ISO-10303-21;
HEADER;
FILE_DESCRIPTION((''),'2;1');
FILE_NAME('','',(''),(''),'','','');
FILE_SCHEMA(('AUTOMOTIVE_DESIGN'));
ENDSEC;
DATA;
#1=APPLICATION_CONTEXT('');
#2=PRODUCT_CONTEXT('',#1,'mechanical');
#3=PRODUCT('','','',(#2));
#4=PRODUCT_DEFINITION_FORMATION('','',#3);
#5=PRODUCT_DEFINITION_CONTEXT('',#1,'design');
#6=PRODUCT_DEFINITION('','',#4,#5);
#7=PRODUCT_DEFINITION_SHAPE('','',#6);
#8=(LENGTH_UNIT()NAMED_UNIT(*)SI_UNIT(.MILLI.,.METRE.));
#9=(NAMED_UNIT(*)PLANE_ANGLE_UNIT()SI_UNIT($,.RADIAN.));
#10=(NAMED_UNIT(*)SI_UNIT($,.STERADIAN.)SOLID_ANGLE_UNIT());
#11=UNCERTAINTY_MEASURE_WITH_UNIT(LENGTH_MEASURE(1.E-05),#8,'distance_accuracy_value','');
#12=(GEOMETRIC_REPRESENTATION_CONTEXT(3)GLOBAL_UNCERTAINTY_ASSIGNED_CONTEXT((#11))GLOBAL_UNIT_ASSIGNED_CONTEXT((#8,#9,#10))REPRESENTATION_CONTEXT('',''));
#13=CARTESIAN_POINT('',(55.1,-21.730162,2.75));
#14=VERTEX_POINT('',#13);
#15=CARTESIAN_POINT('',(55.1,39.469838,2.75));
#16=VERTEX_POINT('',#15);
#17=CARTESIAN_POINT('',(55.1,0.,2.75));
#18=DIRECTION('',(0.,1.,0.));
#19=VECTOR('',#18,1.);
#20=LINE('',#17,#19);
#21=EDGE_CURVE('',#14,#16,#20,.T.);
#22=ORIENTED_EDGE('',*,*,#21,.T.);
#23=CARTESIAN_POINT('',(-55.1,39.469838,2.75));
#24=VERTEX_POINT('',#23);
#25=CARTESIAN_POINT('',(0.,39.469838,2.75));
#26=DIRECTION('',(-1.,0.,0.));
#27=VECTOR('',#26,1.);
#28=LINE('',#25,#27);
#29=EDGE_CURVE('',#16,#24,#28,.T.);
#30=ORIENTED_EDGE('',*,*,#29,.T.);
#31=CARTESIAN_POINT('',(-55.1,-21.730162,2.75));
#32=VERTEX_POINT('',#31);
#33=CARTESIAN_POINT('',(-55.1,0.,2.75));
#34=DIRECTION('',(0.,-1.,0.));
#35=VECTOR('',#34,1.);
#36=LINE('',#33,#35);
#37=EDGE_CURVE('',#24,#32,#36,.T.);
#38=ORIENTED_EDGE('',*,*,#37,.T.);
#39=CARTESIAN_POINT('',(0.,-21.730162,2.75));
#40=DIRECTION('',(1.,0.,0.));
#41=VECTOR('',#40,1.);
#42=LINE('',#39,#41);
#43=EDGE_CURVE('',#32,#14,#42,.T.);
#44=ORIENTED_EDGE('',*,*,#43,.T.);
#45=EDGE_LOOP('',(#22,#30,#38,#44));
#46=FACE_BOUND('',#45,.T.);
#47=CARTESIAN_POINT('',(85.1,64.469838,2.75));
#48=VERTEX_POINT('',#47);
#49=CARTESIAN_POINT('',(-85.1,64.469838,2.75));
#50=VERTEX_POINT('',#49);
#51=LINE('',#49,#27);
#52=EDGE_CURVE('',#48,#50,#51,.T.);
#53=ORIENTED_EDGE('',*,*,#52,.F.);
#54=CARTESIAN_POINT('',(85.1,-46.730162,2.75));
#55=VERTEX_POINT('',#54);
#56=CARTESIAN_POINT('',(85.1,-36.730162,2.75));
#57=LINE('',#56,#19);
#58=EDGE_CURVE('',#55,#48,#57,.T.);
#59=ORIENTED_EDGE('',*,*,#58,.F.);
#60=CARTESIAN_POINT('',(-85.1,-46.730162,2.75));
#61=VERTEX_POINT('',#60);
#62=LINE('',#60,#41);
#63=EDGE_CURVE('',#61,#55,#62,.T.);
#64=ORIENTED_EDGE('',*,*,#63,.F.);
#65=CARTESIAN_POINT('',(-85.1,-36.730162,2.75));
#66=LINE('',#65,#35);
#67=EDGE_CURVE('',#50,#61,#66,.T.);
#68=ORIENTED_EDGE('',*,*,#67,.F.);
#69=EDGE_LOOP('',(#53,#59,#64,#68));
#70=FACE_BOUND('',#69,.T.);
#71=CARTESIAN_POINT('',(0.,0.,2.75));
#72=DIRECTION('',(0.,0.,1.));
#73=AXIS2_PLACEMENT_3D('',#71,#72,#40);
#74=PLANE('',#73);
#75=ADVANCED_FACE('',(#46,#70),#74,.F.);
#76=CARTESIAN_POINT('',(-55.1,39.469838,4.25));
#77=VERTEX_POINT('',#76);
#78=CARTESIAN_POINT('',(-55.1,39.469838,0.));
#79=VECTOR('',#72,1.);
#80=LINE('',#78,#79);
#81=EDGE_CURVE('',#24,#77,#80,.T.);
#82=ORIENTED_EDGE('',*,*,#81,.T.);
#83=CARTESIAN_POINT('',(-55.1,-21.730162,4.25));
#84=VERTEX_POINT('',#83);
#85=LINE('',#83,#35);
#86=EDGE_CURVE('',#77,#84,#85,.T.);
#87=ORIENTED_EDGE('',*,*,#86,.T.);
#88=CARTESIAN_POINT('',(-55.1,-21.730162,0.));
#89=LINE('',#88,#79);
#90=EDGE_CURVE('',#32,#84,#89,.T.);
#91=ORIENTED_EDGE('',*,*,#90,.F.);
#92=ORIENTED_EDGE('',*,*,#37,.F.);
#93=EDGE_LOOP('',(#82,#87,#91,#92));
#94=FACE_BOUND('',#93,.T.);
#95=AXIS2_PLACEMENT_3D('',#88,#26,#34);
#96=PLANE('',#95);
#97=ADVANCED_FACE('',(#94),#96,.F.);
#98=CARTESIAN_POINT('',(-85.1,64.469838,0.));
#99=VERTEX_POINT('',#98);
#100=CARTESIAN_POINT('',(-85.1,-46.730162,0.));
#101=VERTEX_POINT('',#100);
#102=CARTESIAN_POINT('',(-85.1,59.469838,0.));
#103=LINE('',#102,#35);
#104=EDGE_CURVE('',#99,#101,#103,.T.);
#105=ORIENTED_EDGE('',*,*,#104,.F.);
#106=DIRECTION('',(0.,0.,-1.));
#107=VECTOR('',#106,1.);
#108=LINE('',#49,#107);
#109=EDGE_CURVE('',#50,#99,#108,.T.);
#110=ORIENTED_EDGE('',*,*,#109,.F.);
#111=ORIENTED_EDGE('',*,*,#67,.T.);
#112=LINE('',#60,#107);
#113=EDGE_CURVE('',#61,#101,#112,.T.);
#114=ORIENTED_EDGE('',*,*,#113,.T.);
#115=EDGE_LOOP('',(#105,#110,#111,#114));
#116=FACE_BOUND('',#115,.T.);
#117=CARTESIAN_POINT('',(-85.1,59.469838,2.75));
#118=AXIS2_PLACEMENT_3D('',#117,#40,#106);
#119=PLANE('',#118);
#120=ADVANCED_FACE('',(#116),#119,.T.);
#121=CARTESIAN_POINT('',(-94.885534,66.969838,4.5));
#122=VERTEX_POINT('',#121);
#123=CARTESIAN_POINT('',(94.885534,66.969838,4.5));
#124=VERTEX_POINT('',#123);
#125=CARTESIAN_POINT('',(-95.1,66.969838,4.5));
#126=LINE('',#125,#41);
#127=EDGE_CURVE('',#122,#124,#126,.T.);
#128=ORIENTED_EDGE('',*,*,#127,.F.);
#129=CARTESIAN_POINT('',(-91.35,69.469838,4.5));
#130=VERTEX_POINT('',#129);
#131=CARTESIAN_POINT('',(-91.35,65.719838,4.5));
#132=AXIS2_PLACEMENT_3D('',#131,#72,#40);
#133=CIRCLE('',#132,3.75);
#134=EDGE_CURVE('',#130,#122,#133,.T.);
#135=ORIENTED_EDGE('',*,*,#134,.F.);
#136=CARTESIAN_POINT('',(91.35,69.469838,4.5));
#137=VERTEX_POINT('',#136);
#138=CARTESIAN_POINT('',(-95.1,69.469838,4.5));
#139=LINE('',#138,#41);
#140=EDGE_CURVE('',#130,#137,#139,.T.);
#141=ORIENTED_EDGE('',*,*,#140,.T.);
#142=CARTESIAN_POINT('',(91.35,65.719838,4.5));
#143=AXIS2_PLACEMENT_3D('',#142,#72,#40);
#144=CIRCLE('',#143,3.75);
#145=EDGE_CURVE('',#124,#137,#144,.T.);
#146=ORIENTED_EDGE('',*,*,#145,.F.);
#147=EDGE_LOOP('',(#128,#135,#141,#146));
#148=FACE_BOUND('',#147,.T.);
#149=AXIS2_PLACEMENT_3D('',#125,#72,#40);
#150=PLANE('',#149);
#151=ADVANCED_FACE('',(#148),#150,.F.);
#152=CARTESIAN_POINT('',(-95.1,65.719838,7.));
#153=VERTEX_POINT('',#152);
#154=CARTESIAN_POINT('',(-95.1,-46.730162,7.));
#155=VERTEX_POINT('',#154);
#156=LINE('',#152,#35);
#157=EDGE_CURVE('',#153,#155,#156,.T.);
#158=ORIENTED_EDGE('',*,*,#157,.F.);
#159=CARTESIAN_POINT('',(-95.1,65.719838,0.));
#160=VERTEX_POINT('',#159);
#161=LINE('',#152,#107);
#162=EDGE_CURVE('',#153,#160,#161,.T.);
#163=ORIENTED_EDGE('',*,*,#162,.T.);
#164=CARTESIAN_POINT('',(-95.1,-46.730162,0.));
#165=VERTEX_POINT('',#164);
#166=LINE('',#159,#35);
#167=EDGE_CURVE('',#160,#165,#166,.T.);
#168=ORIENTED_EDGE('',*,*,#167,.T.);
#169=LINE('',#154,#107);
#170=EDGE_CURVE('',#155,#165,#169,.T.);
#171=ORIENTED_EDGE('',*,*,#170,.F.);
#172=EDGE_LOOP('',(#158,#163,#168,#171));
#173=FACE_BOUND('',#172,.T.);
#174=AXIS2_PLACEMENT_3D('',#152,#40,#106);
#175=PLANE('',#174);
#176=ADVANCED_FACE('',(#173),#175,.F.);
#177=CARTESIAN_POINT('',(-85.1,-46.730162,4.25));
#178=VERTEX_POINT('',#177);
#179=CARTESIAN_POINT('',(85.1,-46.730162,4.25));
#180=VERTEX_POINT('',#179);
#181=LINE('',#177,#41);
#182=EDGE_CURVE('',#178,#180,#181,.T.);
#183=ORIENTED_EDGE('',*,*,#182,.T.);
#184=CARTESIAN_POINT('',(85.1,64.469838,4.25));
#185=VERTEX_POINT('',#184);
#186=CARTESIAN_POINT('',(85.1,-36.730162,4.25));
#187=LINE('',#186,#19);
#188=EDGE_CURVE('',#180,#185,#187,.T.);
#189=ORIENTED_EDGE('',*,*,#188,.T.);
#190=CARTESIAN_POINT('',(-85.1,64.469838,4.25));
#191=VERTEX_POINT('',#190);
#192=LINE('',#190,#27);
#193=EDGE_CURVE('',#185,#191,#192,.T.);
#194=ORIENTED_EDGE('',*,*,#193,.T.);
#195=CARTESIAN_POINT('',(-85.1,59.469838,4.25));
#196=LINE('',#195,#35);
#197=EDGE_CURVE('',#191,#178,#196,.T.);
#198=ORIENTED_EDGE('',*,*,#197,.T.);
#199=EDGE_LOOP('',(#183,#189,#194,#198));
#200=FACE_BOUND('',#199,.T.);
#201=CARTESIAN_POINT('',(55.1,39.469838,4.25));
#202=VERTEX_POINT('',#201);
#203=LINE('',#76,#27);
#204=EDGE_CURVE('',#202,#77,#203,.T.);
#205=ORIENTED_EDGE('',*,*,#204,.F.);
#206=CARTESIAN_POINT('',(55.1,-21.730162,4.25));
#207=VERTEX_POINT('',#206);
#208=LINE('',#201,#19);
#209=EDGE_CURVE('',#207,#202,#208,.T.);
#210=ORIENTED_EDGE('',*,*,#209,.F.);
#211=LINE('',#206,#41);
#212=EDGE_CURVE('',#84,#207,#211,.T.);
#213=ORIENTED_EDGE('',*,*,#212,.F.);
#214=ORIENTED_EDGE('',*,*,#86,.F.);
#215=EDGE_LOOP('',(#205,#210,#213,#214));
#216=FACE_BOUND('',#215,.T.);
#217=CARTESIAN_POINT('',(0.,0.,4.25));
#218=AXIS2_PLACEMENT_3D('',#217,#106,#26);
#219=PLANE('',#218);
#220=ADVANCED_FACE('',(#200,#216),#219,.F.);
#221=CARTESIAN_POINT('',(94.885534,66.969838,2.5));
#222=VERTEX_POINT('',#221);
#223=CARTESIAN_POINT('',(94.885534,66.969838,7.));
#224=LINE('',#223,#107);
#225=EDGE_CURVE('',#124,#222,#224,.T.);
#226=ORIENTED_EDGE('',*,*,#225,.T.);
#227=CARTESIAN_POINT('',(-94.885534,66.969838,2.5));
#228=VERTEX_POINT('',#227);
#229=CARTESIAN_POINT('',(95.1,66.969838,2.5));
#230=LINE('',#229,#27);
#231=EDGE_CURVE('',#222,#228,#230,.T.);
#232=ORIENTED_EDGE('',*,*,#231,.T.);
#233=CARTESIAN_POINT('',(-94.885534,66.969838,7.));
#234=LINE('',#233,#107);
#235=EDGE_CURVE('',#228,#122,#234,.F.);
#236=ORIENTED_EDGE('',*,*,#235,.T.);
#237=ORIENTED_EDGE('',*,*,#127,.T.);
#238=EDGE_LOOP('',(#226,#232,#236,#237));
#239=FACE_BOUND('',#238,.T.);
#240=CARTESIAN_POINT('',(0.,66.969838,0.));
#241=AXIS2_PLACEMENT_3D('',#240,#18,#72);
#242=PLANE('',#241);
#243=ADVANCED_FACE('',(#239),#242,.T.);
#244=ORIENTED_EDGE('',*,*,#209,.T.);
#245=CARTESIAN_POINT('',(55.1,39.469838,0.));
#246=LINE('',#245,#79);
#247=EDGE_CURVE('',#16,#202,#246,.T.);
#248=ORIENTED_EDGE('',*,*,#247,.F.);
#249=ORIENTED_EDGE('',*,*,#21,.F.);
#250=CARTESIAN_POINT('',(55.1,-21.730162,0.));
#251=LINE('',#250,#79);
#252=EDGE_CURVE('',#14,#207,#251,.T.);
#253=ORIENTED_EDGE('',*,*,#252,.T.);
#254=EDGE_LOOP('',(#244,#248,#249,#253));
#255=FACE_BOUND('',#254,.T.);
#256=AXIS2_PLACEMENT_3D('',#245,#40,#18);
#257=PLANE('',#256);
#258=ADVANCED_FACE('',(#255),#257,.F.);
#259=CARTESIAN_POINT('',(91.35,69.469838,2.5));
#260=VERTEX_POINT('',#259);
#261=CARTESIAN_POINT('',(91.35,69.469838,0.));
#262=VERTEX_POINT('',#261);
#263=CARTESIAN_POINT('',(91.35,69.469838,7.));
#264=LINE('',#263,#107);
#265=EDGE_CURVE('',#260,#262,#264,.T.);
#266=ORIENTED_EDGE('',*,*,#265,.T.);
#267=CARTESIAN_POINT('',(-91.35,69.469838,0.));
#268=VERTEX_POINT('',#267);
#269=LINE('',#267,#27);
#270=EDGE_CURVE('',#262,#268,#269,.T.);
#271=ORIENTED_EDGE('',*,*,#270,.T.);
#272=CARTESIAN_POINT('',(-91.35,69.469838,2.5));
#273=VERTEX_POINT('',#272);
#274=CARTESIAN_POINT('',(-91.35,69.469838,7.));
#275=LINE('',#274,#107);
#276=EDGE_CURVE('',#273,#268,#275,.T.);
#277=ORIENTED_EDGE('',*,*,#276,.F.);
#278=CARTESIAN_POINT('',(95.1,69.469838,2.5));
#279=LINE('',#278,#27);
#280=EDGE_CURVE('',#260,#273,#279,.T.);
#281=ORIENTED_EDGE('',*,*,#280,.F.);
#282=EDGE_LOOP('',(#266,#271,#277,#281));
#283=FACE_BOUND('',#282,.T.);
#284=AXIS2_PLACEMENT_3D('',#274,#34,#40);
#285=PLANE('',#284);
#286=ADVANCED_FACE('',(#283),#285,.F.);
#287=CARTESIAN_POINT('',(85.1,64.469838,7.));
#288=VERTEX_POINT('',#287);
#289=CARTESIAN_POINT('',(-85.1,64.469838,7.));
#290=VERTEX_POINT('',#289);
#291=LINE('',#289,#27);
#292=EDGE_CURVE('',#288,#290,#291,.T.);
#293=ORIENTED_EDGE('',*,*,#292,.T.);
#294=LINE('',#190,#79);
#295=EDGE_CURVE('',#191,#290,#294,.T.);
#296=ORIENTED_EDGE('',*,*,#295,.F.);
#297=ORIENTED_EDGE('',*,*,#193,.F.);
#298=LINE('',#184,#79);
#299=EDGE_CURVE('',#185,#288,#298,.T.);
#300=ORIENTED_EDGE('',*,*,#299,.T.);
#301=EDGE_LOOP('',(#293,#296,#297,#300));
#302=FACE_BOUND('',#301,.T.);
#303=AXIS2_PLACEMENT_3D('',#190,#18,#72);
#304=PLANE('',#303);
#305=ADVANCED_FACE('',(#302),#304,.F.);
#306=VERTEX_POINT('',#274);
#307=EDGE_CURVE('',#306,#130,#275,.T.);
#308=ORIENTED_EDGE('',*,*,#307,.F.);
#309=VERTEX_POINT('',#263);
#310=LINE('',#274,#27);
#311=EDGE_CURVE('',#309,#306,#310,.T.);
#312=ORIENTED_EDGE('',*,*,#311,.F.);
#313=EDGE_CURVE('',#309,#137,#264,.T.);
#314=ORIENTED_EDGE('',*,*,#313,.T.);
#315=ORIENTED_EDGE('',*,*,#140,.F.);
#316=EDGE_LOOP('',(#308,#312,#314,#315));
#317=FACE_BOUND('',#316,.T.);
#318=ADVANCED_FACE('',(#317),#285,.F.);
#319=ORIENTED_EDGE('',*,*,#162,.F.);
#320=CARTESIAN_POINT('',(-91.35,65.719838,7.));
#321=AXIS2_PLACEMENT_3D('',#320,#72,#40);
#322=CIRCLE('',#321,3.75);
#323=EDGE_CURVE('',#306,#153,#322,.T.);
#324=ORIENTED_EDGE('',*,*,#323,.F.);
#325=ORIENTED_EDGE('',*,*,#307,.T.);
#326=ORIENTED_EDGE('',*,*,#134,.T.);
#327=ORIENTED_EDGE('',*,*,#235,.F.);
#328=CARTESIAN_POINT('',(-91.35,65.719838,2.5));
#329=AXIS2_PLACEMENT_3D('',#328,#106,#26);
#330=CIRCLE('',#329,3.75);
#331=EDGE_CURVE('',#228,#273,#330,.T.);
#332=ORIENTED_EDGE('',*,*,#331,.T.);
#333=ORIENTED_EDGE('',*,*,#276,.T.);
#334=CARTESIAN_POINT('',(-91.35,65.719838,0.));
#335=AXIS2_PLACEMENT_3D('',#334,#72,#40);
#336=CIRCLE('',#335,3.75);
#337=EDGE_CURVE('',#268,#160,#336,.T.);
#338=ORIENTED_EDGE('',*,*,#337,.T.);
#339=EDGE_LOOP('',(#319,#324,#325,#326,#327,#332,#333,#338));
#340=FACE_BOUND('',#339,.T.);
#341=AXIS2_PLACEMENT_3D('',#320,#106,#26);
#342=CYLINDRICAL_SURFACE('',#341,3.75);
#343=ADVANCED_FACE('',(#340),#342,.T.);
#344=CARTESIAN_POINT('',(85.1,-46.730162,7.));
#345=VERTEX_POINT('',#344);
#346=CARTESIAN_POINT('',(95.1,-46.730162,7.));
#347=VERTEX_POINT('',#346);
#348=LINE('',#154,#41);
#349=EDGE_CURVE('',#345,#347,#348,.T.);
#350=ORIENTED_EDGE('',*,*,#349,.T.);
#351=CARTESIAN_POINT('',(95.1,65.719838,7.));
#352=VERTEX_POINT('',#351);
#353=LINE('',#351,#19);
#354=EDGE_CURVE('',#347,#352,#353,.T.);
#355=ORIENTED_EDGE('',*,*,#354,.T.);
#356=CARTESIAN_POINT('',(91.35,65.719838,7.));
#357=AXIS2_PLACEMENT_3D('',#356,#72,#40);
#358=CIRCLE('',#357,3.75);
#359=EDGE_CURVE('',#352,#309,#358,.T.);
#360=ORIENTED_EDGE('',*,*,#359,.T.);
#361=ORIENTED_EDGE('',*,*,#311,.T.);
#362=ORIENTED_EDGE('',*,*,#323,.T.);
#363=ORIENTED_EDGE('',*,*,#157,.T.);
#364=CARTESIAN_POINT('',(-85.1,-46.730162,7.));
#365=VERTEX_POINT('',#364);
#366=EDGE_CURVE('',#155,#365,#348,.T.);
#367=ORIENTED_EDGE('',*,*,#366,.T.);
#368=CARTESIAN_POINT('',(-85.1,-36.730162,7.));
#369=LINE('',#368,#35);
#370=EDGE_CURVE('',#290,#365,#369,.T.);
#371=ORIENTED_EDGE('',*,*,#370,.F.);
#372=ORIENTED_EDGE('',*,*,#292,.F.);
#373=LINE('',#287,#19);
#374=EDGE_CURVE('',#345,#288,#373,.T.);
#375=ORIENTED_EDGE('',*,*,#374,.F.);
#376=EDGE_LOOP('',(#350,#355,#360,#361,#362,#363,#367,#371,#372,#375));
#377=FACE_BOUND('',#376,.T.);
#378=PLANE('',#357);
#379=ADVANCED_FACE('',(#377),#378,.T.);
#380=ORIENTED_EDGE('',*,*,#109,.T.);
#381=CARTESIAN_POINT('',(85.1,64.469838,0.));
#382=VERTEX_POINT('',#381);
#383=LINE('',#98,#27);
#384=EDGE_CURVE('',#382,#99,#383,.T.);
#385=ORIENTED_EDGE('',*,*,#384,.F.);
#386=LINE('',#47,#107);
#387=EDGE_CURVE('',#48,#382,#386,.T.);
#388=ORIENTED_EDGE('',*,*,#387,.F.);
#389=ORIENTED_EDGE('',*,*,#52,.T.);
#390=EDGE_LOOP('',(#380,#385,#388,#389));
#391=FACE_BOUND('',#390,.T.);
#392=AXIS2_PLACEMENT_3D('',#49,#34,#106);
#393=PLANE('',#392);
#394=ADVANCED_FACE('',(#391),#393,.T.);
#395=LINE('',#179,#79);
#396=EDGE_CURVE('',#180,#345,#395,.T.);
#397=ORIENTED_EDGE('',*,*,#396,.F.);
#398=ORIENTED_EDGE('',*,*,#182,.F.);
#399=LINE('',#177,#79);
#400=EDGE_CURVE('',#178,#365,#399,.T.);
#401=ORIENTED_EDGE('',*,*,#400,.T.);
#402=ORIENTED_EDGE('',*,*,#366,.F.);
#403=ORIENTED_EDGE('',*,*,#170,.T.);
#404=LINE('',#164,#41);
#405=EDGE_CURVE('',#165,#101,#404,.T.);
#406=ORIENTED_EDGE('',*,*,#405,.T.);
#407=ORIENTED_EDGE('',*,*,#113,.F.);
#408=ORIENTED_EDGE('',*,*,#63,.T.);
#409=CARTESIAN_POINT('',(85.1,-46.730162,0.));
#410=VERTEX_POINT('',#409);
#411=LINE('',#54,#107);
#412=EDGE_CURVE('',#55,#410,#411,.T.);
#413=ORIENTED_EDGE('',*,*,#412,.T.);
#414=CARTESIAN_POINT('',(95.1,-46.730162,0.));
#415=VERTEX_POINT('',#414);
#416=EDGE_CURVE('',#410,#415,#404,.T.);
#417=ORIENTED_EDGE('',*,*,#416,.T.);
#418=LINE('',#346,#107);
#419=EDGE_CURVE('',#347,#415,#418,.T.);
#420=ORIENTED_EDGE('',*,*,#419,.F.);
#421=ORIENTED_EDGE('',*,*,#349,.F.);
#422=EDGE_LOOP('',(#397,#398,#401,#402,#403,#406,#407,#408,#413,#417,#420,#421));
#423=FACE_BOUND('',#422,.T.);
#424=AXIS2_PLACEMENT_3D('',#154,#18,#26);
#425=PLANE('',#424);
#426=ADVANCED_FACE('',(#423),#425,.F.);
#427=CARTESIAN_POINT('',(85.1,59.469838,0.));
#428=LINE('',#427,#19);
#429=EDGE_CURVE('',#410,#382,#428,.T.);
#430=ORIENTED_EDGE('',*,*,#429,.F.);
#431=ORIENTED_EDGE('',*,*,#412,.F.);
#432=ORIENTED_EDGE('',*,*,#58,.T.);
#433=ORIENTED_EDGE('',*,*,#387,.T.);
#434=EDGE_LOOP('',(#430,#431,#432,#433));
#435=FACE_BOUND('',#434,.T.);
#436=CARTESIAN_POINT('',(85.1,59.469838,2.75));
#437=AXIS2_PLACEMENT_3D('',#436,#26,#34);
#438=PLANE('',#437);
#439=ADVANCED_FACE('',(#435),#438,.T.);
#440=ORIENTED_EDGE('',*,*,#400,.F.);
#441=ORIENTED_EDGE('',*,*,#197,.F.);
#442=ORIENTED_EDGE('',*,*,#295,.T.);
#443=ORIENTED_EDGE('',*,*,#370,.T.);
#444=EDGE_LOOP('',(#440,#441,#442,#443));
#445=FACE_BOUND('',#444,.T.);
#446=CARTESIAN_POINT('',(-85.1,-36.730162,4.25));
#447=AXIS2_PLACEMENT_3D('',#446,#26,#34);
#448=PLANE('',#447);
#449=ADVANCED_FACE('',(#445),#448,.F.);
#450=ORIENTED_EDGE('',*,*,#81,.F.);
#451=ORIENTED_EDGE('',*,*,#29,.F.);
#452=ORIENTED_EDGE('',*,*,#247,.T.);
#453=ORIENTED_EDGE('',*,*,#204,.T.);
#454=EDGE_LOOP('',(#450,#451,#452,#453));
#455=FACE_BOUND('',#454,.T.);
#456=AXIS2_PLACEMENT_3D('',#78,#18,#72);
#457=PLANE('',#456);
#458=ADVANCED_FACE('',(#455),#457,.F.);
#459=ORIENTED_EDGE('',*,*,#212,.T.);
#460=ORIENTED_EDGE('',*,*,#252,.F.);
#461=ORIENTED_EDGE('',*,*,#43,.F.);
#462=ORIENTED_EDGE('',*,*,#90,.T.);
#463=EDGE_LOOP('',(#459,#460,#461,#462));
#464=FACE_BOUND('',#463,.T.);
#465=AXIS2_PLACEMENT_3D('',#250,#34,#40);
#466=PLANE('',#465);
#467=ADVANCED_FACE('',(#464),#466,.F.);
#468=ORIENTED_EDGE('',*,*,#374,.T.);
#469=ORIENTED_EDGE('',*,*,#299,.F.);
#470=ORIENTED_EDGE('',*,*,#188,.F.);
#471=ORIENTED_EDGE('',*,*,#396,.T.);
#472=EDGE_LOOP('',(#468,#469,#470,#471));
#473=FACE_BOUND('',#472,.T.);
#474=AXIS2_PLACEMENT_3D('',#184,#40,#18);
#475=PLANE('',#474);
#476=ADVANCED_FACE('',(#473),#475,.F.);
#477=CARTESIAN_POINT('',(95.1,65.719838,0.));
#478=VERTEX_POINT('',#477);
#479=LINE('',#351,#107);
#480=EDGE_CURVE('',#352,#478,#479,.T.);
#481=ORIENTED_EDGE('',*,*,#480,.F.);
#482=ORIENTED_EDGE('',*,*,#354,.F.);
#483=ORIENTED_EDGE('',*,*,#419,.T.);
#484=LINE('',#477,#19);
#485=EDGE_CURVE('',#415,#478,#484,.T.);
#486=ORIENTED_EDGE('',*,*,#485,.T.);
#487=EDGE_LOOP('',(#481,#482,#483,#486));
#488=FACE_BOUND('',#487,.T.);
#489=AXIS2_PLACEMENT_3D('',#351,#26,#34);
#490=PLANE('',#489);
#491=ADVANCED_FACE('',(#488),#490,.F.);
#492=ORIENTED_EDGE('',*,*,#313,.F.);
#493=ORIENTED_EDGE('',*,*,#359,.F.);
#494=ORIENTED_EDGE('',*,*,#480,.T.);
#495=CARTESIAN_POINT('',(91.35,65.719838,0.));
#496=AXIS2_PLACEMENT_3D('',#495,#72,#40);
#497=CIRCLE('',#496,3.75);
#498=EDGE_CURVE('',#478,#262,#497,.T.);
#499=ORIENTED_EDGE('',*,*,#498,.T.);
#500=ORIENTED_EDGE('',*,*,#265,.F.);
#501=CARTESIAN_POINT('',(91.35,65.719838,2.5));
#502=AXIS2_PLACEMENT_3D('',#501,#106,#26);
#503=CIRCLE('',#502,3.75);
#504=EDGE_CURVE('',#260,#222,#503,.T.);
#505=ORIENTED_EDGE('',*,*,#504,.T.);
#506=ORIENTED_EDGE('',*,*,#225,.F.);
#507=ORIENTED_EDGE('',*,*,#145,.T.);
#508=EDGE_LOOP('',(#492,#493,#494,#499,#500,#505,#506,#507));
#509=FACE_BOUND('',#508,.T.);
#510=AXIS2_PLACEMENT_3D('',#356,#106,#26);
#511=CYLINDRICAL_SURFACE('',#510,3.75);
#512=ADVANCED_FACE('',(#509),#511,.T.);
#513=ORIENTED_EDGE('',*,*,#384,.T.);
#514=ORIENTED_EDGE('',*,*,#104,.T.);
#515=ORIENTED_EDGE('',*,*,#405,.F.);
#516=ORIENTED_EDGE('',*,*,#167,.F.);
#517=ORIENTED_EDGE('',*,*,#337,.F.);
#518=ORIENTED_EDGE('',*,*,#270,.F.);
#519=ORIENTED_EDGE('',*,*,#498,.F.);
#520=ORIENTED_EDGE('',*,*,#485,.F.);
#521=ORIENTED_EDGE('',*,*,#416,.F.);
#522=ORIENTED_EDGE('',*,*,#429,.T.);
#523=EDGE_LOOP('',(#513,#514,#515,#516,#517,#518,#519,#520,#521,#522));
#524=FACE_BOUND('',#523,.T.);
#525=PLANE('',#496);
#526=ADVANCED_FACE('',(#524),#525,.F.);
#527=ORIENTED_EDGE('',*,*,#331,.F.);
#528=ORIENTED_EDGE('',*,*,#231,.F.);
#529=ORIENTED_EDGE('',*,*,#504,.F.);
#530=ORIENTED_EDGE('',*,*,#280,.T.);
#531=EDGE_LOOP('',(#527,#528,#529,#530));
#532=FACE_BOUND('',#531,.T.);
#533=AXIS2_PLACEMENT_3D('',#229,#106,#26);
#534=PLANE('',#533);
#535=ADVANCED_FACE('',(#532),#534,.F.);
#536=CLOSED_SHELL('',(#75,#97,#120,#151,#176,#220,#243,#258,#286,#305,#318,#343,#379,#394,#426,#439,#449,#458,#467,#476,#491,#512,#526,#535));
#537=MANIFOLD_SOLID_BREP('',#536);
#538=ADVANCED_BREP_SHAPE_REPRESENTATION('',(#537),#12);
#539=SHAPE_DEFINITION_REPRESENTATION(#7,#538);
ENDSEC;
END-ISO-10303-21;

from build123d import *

# Parameters (mm, degrees)
EXTRUDE_1_DEPTH     = 7
CUT_EXTRUDE_1_DEPTH = 2.75
CUT_EXTRUDE_2_DEPTH = 2.75
SKETCH_4_W          = 190.2
SKETCH_4_H          = 2
CUT_EXTRUDE_3_DEPTH = 2.5
SKETCH_5_W          = 110.2
SKETCH_5_H          = 61.2
CUT_EXTRUDE_4_DEPTH = 118.847914448


with BuildPart() as part:
    # 草图1 → 凸台-拉伸1 (new body)
    with BuildSketch(Plane.XY):
        with BuildLine():
            Line((-91.35, 69.469838346), (91.35, 69.469838346))
            ThreePointArc((91.35, 69.469838346), (94.001650429, 68.371488775), (95.1, 65.719838346))
            Line((95.1, 65.719838346), (95.1, -46.730161654))
            Line((95.1, -46.730161654), (-95.1, -46.730161654))
            Line((-95.1, -46.730161654), (-95.1, 65.719838346))
            ThreePointArc((-95.1, 65.719838346), (-94.001650429, 68.371488775), (-91.35, 69.469838346))
        make_face()
    extrude(amount=EXTRUDE_1_DEPTH)

    # 草图2 → 切除-拉伸1 (cut)
    with BuildSketch(Plane.XY):
        Polygon((-85.1, -46.730161654), (85.1, -46.730161654), (85.1, -36.730161654), (85.1, 59.469838346), (85.1, 64.469838346), (-85.1, 64.469838346), (-85.1, 59.469838346), (-85.1, -36.730161654), align=None)
    extrude(amount=CUT_EXTRUDE_1_DEPTH, mode=Mode.SUBTRACT)

    # 草图3 → 切除-拉伸2 (cut)
    with BuildSketch(Plane.XY.offset(7)):
        Polygon((-85.1, -36.730161654), (-85.1, -46.730161654), (85.1, -46.730161654), (85.1, -36.730161654), (85.1, 59.469838346), (85.1, 64.469838346), (-85.1, 64.469838346), (-85.1, 59.469838346), align=None)
    extrude(amount=-CUT_EXTRUDE_2_DEPTH, mode=Mode.SUBTRACT)

    # 草图4 → 切除-拉伸3 (cut)
    with BuildSketch(Plane(origin=(0, 69.469838346, 0), x_dir=(1, 0, 0), z_dir=(0, 1, 0))):
        with Locations((0, -3.5)):
            Rectangle(SKETCH_4_W, SKETCH_4_H)
    extrude(amount=-CUT_EXTRUDE_3_DEPTH, mode=Mode.SUBTRACT)

    # 草图5 → 切除-拉伸4 (cut, through all)
    with BuildSketch(Plane.XY.offset(4.25)):
        with Locations((0, 8.869838346)):
            Rectangle(SKETCH_5_W, SKETCH_5_H)
    extrude(amount=-CUT_EXTRUDE_4_DEPTH, mode=Mode.SUBTRACT)


solid = part.part
